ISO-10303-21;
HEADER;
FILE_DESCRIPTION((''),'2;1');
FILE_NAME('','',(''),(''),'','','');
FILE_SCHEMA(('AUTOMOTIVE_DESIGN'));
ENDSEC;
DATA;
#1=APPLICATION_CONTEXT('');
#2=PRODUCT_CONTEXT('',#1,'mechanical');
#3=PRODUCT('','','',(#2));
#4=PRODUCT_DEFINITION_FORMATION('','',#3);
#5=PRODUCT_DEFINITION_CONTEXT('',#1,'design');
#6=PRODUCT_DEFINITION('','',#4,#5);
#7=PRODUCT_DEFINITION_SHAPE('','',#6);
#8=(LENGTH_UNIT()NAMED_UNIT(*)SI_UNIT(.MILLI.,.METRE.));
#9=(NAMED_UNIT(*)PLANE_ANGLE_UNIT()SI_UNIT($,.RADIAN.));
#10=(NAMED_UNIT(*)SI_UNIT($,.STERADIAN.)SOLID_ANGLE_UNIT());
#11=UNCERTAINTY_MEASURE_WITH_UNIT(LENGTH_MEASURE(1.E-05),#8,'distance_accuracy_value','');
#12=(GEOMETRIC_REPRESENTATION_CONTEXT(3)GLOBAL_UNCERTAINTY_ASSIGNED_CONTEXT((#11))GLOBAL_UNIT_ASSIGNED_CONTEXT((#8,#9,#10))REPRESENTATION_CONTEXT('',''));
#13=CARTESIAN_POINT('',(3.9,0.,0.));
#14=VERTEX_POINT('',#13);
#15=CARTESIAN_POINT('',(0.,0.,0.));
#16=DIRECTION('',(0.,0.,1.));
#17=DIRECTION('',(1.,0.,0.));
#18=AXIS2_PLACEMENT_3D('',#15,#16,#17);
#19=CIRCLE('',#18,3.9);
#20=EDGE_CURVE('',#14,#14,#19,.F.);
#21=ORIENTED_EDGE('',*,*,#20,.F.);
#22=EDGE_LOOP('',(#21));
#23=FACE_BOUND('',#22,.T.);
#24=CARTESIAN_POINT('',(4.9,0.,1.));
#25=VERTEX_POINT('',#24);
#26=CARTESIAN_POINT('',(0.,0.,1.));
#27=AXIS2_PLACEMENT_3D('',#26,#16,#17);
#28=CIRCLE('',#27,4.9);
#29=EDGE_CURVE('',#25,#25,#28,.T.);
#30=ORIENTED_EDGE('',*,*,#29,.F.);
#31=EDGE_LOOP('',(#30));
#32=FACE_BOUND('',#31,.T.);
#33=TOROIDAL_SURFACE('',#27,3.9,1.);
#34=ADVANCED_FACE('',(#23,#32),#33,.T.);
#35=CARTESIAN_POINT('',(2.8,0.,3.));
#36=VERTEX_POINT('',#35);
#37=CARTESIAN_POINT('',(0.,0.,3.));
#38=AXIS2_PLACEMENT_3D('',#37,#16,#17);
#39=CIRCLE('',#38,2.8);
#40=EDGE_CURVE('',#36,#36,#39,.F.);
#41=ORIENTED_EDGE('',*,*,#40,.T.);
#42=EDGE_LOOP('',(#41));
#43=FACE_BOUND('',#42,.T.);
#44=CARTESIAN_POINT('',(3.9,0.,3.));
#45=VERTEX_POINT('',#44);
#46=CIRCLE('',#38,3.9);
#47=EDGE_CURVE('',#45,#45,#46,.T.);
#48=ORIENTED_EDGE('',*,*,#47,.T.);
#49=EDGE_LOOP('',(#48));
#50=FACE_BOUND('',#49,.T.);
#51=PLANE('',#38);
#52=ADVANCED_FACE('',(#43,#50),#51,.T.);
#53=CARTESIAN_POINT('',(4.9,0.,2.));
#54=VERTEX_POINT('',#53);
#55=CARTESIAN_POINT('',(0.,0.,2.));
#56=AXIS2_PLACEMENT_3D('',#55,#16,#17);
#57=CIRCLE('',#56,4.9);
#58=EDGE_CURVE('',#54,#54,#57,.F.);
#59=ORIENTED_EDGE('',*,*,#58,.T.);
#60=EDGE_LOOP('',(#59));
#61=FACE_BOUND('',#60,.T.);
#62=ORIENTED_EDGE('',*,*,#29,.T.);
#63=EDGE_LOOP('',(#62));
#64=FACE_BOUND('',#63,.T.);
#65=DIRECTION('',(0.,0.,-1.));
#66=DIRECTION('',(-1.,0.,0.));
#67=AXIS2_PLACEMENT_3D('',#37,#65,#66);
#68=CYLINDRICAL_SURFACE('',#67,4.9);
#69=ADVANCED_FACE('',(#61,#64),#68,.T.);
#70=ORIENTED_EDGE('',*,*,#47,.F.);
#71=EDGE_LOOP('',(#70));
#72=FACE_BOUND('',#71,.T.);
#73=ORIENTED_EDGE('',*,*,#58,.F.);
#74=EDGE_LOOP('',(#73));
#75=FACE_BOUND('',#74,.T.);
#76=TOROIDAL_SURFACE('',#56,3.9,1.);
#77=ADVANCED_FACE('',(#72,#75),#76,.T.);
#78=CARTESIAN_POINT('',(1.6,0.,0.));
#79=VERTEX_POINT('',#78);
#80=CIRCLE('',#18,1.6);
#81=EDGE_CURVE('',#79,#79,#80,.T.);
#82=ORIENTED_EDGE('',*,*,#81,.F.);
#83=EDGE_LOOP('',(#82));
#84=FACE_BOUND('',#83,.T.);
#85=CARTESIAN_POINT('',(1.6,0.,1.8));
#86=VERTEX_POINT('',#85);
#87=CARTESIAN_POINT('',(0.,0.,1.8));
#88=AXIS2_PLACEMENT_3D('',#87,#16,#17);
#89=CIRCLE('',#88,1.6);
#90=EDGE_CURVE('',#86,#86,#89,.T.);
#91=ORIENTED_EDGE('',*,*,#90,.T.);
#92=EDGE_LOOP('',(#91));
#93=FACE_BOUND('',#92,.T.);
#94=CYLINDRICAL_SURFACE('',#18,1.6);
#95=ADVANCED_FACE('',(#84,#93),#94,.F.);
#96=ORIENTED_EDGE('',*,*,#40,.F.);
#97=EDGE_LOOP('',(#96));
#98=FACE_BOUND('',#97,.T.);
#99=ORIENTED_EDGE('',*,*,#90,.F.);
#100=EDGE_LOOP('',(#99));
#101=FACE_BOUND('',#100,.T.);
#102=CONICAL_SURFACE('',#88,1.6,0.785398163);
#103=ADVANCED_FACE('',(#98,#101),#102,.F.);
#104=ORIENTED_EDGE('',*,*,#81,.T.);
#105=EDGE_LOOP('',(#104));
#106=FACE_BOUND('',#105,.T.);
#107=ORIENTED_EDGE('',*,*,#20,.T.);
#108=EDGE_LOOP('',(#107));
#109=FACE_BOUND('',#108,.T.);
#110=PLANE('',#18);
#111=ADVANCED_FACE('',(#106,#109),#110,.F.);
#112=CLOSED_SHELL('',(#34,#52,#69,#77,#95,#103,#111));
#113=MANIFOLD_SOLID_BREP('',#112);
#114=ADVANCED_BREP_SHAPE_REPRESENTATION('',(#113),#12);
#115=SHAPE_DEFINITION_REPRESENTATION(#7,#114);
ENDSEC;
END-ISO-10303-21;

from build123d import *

# Parameters (mm, degrees)
SKETCH_1_R          = 4.9
EXTRUDE_1_DEPTH     = 3
SKETCH_2_R          = 1.6
CUT_EXTRUDE_1_DEPTH = 8.551158851
CHAMFER_1_SIZE      = 1.2
FILLET_1_R          = 1
FILLET_2_R          = 1


with BuildPart() as part:
    # 草图1 → 凸台-拉伸1 (new body)
    with BuildSketch(Plane.XY):
        Circle(SKETCH_1_R)
    extrude(amount=EXTRUDE_1_DEPTH)

    # 草图2 → 切除-拉伸1 (cut, through all)
    with BuildSketch(Plane.XY.offset(3)):
        Circle(SKETCH_2_R)
    extrude(amount=-CUT_EXTRUDE_1_DEPTH, mode=Mode.SUBTRACT)

    # 倒角1
    chamfer_1_edges = [part.edges().sort_by_distance(p)[0] for p in [
        (-1.6, 0, 3),
    ]]
    chamfer(chamfer_1_edges, length=CHAMFER_1_SIZE)

    # 圆角1
    fillet_1_edges = [part.edges().sort_by_distance(p)[0] for p in [
        (-4.9, 0, 3),
    ]]
    fillet(fillet_1_edges, radius=FILLET_1_R)

    # 圆角2
    fillet_2_edges = [part.edges().sort_by_distance(p)[0] for p in [
        (-4.9, 0, 0),
    ]]
    fillet(fillet_2_edges, radius=FILLET_2_R)


solid = part.part
